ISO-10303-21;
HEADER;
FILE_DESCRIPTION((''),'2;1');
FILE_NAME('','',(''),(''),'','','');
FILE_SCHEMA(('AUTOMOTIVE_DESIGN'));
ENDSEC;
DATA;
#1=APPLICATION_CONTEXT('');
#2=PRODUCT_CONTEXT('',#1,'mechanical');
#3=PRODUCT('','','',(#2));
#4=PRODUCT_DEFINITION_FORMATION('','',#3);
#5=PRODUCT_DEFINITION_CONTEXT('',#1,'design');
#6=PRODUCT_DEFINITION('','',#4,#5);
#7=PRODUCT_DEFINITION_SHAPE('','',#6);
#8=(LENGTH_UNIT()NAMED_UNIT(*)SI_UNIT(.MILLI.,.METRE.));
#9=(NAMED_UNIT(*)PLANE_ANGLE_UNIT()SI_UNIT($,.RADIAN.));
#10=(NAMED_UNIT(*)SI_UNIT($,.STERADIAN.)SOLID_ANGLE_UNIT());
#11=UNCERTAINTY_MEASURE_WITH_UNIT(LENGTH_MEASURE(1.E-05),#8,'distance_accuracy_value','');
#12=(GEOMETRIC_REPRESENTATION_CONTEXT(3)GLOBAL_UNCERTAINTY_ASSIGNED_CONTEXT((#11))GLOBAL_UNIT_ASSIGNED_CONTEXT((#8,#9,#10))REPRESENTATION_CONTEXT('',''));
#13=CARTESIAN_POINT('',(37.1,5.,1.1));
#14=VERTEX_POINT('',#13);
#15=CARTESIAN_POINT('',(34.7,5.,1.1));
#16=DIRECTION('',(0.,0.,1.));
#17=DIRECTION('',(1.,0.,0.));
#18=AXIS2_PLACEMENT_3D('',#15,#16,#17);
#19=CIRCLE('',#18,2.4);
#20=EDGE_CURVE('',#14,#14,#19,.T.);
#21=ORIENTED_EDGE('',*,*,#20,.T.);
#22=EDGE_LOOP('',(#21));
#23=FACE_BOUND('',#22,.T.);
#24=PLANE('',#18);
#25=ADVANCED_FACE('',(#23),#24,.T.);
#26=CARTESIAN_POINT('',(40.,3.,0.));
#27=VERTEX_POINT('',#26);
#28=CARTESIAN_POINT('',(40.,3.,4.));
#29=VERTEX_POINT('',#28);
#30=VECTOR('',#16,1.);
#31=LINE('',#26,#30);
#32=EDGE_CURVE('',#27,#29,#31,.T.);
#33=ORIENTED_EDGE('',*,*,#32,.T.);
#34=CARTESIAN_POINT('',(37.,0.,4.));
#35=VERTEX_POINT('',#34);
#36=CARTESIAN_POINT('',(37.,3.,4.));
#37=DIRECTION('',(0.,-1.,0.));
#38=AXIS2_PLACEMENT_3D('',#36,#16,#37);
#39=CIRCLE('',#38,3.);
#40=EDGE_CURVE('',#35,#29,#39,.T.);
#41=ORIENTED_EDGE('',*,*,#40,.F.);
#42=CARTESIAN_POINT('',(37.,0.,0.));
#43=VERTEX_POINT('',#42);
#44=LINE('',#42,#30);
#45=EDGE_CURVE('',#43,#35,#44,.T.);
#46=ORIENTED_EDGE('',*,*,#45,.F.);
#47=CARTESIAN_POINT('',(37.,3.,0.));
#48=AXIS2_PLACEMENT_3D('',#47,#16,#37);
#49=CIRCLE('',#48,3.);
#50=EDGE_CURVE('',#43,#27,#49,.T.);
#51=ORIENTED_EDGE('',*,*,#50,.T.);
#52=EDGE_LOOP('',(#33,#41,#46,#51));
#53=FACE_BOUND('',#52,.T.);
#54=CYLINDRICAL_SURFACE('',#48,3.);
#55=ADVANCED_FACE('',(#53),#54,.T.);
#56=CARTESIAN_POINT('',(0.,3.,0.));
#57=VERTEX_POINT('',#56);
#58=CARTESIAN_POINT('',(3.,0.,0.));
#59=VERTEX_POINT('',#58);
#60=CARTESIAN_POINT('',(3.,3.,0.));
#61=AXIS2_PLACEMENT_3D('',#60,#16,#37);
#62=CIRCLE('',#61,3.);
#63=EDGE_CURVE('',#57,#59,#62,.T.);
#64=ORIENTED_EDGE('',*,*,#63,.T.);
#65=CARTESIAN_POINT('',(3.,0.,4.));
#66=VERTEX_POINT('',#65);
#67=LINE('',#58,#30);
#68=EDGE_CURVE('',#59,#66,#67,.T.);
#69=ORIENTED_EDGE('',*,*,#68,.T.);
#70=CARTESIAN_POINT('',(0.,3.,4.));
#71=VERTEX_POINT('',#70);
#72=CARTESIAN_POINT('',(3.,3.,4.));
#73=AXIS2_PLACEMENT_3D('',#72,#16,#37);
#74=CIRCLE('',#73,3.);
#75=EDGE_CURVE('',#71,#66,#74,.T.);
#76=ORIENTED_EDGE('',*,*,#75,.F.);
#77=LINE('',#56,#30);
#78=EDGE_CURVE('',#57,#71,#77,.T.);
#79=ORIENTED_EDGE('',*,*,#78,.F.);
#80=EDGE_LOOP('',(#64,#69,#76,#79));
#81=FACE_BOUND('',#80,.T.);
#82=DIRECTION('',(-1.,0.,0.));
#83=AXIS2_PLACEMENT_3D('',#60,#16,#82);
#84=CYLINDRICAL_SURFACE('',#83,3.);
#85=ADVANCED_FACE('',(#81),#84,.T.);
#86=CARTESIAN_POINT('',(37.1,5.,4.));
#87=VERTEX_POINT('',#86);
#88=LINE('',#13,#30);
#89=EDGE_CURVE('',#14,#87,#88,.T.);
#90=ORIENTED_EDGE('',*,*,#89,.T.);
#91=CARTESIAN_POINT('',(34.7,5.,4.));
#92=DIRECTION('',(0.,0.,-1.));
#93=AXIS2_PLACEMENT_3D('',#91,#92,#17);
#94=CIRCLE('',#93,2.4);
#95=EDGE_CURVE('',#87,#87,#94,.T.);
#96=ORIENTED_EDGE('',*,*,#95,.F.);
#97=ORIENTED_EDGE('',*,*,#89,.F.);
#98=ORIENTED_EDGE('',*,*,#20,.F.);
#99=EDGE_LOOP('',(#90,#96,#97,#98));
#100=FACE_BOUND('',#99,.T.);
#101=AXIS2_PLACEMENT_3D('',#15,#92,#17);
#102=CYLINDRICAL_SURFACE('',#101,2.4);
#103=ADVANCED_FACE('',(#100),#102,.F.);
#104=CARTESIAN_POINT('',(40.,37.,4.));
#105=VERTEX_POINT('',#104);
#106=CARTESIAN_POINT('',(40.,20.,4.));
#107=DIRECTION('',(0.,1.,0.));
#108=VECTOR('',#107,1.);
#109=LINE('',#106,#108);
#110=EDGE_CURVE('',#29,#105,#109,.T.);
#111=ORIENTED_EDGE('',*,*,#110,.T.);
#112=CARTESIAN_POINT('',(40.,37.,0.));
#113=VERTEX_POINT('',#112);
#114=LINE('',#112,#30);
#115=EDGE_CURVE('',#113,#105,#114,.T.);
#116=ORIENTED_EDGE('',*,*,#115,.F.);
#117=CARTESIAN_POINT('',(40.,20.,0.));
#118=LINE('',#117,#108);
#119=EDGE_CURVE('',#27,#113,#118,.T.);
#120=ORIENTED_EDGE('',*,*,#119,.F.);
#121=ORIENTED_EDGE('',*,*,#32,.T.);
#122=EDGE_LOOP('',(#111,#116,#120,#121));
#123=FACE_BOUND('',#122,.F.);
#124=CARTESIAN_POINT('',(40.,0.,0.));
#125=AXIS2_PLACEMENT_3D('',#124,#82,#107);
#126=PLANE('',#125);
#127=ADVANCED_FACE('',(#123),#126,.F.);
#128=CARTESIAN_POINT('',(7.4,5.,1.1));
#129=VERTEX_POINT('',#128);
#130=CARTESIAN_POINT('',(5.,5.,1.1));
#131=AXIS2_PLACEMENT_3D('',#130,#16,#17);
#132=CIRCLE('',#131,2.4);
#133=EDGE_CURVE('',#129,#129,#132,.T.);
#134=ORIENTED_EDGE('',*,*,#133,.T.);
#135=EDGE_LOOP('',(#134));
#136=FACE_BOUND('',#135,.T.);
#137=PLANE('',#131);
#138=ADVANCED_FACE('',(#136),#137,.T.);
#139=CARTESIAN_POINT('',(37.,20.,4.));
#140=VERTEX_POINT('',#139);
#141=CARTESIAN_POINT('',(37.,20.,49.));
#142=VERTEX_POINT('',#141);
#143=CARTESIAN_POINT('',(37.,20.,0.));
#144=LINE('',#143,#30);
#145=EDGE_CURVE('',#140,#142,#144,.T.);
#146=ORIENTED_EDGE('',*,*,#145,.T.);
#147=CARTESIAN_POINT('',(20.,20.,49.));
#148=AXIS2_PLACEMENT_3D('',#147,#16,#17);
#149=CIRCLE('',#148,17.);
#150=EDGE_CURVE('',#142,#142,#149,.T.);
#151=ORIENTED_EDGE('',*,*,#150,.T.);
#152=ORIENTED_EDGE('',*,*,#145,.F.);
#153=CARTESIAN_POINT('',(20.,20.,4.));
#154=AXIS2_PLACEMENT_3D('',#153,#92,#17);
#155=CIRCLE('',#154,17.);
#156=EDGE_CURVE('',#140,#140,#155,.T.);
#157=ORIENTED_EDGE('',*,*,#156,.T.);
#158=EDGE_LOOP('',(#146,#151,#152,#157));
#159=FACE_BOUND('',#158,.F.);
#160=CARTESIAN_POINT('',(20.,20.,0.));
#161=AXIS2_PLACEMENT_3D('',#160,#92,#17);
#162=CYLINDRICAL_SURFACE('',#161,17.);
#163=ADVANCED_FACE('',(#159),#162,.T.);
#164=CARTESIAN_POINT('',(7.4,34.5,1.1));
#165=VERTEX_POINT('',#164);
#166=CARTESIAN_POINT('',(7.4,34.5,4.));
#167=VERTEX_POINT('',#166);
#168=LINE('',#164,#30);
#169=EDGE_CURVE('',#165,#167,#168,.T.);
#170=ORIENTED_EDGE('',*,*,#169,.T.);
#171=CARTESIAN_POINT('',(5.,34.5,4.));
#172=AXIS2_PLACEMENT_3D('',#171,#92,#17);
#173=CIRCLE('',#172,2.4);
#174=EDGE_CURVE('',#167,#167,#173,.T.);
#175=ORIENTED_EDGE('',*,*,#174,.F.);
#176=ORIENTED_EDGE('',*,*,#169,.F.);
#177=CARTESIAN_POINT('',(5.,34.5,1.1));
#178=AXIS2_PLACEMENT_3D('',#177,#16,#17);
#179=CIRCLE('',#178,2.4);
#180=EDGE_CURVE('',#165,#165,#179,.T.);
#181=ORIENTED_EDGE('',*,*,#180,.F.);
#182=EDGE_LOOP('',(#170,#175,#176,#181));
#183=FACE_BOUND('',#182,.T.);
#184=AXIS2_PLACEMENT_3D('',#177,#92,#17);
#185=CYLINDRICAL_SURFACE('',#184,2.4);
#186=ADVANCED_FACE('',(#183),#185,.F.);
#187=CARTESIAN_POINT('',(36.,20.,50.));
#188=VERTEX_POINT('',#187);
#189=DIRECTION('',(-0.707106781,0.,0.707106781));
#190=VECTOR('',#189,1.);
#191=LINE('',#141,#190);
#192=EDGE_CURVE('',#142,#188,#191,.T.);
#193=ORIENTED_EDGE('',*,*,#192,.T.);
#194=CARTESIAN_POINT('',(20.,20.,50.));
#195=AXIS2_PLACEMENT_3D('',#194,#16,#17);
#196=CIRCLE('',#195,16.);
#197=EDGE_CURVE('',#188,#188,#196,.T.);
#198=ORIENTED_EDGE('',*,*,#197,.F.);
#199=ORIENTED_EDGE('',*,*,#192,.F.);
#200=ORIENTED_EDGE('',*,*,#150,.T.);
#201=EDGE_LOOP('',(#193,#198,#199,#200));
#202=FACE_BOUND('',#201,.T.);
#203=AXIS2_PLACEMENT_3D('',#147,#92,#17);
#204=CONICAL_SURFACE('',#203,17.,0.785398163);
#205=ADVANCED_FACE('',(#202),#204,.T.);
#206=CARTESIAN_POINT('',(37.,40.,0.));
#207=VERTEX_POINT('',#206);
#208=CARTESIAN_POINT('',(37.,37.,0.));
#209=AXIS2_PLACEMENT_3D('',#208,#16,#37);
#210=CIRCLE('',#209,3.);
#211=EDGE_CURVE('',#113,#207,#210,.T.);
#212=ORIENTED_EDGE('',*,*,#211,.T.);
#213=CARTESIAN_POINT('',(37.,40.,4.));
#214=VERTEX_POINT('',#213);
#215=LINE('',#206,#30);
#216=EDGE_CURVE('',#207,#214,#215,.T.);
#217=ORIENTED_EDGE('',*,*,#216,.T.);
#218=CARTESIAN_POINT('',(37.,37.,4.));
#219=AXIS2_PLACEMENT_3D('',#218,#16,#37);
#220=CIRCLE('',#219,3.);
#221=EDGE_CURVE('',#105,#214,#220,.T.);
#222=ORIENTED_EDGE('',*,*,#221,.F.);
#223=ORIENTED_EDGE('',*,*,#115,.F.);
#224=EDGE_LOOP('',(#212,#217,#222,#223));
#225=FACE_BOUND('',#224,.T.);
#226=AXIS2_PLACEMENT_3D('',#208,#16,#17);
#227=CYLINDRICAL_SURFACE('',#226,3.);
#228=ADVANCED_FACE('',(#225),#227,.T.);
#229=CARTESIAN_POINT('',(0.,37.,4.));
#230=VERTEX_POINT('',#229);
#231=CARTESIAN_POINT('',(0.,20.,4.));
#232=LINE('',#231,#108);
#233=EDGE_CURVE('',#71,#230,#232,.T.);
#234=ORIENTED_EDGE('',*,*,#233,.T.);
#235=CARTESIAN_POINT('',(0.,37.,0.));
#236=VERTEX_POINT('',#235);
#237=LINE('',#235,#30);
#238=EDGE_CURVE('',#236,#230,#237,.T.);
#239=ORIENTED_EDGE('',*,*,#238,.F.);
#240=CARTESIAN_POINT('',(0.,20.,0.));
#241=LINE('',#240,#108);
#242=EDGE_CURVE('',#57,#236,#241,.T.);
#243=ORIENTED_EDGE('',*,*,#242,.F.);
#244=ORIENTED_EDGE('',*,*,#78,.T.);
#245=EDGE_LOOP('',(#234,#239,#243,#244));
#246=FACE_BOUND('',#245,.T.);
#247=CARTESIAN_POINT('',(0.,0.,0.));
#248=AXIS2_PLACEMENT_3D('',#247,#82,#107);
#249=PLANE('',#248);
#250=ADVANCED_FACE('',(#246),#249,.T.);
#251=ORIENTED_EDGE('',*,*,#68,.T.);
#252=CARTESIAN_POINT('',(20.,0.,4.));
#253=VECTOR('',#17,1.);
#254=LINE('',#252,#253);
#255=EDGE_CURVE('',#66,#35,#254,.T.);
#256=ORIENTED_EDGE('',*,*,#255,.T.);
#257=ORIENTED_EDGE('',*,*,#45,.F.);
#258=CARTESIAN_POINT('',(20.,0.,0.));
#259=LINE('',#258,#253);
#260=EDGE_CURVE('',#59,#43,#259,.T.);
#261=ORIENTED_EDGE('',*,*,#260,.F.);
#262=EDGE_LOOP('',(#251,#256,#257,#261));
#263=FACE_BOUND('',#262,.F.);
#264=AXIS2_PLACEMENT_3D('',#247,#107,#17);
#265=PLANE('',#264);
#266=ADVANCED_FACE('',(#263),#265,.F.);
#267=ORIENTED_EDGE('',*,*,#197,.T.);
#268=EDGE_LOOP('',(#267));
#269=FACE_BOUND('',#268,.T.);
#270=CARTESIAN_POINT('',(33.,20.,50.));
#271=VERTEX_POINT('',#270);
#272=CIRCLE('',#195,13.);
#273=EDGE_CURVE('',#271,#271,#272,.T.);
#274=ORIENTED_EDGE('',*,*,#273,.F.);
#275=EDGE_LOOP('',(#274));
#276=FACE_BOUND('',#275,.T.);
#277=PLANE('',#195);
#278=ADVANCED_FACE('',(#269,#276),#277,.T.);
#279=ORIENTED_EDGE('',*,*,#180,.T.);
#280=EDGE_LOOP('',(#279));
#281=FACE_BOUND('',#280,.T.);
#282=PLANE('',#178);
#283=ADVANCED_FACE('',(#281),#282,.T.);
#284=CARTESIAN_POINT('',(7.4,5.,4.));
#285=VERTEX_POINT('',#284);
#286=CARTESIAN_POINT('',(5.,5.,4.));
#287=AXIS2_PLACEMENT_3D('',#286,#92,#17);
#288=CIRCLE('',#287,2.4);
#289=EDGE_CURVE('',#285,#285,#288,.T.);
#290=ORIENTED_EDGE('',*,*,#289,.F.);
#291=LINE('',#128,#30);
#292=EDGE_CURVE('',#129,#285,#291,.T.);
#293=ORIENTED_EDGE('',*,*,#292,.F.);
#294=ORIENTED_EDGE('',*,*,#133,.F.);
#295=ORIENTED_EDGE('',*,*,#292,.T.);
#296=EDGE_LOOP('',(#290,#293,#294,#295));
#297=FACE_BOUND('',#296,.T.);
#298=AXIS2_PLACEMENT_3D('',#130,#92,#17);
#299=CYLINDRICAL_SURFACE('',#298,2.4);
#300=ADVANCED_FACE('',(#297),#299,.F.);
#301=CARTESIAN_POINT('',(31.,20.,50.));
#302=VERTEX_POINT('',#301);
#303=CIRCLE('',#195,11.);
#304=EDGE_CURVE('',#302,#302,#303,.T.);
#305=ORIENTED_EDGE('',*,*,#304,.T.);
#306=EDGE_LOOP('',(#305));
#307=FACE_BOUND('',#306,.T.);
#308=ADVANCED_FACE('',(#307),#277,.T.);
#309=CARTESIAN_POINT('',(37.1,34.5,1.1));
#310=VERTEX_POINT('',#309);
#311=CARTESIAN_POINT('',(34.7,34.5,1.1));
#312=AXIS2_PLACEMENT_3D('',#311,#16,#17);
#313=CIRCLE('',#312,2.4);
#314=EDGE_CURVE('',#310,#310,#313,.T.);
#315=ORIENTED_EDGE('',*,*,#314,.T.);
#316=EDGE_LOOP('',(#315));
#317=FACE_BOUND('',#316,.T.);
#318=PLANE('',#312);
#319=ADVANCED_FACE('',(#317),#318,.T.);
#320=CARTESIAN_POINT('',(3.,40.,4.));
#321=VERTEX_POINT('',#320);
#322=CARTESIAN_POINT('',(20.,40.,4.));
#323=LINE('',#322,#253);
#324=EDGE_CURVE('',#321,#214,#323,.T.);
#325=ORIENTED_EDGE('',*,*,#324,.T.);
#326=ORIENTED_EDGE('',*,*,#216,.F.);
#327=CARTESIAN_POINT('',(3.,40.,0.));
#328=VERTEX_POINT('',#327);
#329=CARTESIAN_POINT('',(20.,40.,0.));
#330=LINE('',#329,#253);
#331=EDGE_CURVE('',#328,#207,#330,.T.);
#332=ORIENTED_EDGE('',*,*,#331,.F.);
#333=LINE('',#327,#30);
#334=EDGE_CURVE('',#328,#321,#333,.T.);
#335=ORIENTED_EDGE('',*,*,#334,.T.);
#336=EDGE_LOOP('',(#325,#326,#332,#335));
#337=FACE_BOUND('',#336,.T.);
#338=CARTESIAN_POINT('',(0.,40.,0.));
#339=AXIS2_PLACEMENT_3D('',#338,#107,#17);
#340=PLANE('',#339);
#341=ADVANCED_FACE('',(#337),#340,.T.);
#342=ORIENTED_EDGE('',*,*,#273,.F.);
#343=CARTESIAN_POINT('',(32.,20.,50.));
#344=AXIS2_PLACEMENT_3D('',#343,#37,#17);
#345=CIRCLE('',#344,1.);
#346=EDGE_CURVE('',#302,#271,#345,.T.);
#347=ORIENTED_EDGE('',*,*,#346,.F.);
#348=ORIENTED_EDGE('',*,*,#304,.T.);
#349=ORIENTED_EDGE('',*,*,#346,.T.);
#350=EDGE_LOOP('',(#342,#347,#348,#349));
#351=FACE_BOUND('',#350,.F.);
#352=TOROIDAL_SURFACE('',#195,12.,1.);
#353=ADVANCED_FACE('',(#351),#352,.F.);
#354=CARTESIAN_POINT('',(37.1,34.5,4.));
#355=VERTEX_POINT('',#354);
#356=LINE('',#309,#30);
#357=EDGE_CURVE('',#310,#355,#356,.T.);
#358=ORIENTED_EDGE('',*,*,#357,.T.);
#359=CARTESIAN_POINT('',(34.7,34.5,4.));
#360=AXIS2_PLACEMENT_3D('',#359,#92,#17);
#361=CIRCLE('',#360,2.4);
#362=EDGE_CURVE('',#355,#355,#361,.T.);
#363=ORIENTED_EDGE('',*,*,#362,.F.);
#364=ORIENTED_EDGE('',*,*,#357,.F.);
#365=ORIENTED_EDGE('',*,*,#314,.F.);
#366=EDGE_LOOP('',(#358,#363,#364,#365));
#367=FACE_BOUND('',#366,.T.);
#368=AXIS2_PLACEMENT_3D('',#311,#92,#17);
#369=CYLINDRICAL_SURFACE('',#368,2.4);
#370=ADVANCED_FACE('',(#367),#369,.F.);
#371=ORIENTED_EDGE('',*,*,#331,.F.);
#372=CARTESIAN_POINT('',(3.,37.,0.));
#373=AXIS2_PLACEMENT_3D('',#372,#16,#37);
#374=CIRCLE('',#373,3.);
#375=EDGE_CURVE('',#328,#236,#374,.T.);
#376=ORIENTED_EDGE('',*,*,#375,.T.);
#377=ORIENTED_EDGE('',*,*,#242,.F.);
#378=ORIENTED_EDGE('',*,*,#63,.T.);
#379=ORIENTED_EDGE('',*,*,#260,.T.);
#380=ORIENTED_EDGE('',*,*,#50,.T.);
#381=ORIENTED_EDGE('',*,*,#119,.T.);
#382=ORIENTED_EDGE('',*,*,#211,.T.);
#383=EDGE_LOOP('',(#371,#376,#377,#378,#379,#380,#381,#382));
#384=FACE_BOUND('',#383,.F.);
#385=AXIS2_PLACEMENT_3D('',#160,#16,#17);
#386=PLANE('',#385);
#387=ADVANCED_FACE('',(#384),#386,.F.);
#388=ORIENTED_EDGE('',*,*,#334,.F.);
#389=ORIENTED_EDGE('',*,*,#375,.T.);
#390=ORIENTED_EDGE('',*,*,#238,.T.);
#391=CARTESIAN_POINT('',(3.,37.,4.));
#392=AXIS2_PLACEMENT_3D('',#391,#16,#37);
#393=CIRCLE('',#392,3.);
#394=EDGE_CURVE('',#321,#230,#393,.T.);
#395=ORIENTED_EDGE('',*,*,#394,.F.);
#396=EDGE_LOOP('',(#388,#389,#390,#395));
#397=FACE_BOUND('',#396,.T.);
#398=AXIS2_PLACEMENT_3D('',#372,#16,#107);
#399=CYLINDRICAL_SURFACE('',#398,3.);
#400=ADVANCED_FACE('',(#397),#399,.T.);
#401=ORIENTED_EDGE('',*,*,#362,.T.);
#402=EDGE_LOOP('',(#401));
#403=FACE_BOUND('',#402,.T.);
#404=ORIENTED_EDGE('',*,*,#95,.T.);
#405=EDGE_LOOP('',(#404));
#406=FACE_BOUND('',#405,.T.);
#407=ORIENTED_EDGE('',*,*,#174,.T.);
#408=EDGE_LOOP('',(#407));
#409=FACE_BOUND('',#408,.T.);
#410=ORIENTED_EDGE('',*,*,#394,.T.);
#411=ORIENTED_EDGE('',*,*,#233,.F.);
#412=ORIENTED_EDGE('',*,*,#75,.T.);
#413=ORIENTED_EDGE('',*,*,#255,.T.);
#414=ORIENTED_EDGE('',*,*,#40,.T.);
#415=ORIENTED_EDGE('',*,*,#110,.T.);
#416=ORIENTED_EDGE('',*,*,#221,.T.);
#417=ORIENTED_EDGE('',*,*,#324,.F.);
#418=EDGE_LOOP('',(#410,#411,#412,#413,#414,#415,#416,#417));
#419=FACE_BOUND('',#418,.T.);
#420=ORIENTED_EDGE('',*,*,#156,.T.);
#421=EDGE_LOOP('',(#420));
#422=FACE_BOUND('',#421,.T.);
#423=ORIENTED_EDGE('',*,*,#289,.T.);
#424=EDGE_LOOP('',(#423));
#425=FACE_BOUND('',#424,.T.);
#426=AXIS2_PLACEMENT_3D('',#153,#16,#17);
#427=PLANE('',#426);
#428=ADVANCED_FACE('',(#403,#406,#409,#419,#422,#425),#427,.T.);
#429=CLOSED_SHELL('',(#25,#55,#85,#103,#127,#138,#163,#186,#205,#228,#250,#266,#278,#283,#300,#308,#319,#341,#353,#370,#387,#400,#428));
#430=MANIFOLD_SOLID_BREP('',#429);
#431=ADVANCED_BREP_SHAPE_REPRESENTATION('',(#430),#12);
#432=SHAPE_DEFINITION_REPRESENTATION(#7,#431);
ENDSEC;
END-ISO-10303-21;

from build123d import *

# Parameters (mm, degrees)
TORUS_R           = 1
CYLINDER001_R     = 17
CYLINDER001_DEPTH = 50
CHAMFER_SIZE      = 1
CYLINDER_R        = 2.4
CYLINDER_DEPTH    = 3.1
ARRAY_X_COUNT     = 2
ARRAY_X_PITCH     = 29.7
ARRAY_Y_COUNT     = 2
ARRAY_Y_PITCH     = 29.5
BOX_W             = 40
BOX_H             = 40
BOX_DEPTH         = 4
FILLET_R          = 3
FILLET001_R       = 3
FILLET002_R       = 3
FILLET003_R       = 3


with BuildPart() as torus:
    # Torus → Torus (revolve)
    with BuildSketch(Plane(origin=(20, 20, 50), x_dir=(1, 0, 0), z_dir=(0, -1, 0))):
        with Locations((12, 0)):
            Circle(TORUS_R)
    revolve(axis=Axis((20, 20, 50), (0, 0, 1)))


with BuildPart() as chamfer_body:
    # Cylinder001 → Cylinder001 (new body)
    with BuildSketch(Plane(origin=(20, 20, 0), x_dir=(1, 0, 0), z_dir=(0, 0, 1))):
        Circle(CYLINDER001_R)
    extrude(amount=CYLINDER001_DEPTH)

    # Chamfer
    chamfer_edges = [chamfer_body.edges().sort_by_distance(p)[0] for p in [
        (3, 20, 50),
    ]]
    chamfer(chamfer_edges, length=CHAMFER_SIZE)


with BuildPart() as array:
    # Cylinder → Cylinder (new body)
    with BuildSketch(Plane(origin=(5, 5, 1.1), x_dir=(1, 0, 0), z_dir=(0, 0, 1))):
        Circle(CYLINDER_R)
    extrude(amount=CYLINDER_DEPTH)

    # Array X: Array ×2


with BuildPart() as array_1:
    add(array.part)
    with Locations(*[(i * ARRAY_X_PITCH, 0, 0) for i in range(1, ARRAY_X_COUNT)]):
        add(array.part)

    # Array Y: Array ×2


with BuildPart() as array_2:
    add(array_1.part)
    with Locations(*[(0, i * ARRAY_Y_PITCH, 0) for i in range(1, ARRAY_Y_COUNT)]):
        add(array_1.part)


with BuildPart() as cut001:
    # Box → Box (new body)
    with BuildSketch(Plane.XY):
        with Locations((20, 20)):
            Rectangle(BOX_W, BOX_H)
    extrude(amount=BOX_DEPTH)

    # Fillet
    fillet_edges = [cut001.edges().sort_by_distance(p)[0] for p in [
        (0, 0, 2),
    ]]
    fillet(fillet_edges, radius=FILLET_R)

    # Fillet001
    fillet001_edges = [cut001.edges().sort_by_distance(p)[0] for p in [
        (40, 0, 2),
    ]]
    fillet(fillet001_edges, radius=FILLET001_R)

    # Fillet002
    fillet002_edges = [cut001.edges().sort_by_distance(p)[0] for p in [
        (40, 40, 2),
    ]]
    fillet(fillet002_edges, radius=FILLET002_R)

    # Fillet003
    fillet003_edges = [cut001.edges().sort_by_distance(p)[0] for p in [
        (0, 40, 2),
    ]]
    fillet(fillet003_edges, radius=FILLET003_R)

    # Cut: cut Array
    add(array_2.part, mode=Mode.SUBTRACT)

    # Fusion: union Chamfer body
    add(chamfer_body.part)

    # Cut001: cut Torus
    add(torus.part, mode=Mode.SUBTRACT)


solid = cut001.part
